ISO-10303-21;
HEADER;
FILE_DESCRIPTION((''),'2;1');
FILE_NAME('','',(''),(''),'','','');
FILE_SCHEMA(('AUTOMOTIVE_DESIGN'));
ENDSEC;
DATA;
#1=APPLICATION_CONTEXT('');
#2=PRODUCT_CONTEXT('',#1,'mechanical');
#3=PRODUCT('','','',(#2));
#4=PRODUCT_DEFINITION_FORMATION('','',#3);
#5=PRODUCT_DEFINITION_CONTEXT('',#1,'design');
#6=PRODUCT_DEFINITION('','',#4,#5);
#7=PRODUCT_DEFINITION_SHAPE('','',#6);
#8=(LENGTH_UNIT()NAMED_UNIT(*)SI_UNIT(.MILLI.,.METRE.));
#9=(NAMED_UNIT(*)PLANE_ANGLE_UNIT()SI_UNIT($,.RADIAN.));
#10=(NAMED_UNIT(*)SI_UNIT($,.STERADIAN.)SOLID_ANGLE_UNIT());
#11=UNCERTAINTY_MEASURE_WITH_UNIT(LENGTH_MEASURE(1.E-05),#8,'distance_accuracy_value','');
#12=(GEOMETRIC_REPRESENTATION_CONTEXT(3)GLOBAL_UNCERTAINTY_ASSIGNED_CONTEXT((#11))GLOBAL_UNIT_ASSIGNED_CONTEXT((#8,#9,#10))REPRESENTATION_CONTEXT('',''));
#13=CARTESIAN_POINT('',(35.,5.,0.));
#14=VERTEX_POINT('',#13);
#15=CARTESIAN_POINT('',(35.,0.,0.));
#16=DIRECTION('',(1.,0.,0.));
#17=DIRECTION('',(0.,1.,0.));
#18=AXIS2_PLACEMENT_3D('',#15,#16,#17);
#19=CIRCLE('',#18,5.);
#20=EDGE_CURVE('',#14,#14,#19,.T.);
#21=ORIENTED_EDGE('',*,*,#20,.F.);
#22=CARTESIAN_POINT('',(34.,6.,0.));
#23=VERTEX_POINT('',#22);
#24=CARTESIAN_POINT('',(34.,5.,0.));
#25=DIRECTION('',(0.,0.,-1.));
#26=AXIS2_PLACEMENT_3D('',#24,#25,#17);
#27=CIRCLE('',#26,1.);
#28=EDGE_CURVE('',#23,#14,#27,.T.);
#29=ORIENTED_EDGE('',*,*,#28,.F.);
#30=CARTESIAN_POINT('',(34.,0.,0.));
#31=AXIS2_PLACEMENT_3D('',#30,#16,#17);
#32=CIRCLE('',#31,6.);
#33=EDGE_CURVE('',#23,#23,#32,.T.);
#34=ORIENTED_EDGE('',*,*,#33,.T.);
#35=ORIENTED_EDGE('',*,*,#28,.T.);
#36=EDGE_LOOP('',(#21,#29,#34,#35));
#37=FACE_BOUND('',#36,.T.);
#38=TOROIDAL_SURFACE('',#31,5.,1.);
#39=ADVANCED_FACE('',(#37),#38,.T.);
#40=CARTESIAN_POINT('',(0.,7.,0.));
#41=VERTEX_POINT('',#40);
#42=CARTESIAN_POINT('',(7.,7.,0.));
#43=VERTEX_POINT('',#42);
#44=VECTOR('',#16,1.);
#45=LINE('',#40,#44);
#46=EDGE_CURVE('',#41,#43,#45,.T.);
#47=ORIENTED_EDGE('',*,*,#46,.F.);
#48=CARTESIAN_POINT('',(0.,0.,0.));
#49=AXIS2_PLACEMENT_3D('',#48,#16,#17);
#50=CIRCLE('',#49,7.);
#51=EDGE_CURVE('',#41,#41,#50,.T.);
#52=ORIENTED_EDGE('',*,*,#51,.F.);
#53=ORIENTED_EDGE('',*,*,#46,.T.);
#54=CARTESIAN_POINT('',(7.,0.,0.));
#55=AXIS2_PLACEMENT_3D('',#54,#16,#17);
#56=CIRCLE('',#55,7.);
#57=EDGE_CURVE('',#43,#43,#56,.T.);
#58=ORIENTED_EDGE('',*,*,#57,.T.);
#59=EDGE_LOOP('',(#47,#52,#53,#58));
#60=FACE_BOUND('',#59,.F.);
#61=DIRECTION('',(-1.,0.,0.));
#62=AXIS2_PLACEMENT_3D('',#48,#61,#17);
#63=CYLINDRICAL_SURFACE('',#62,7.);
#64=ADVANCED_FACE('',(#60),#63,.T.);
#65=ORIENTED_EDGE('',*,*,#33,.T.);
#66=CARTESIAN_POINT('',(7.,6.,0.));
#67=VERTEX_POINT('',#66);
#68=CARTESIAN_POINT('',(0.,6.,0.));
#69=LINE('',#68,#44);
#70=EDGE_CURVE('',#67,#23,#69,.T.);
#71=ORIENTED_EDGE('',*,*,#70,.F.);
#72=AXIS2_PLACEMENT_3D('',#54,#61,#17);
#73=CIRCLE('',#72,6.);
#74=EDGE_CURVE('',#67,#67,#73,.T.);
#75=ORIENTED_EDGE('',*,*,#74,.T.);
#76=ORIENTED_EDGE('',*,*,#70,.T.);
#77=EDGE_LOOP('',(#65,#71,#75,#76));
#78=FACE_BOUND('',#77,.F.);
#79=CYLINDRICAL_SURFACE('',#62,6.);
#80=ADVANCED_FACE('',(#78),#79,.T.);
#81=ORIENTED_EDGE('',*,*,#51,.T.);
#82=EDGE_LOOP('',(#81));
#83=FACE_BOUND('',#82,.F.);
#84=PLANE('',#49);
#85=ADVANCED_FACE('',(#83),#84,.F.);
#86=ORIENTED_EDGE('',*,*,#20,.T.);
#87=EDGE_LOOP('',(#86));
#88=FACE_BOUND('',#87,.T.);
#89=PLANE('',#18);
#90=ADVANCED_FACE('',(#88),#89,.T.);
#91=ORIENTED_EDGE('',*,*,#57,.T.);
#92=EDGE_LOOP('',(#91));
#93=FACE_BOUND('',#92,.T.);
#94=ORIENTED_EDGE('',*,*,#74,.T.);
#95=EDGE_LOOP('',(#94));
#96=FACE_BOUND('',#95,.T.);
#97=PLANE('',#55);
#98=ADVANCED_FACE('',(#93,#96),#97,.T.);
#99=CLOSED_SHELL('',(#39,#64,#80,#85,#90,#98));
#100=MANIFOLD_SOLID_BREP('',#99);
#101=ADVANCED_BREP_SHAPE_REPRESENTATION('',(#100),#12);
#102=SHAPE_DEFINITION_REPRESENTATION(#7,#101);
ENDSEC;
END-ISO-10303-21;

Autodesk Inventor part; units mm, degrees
ref_plane "YZ Plane" through (0, 0, 0) normal (1, 0, 0) x (0, 1, 0)
ref_plane "XZ Plane" through (0, 0, 0) normal (0, 1, 0) x (-1, 0, 0)
ref_plane "XY Plane" through (0, 0, 0) normal (0, 0, 1) x (1, 0, 0)
sketch "Sketch2" plane through (0, 0, 0) normal (1, 0, 0) x (0, 1, 0)
  circle A0 centre (0, 0) radius 7
  circle A1 centre (0, 0) radius 6
  dimension "d0" = 14
  dimension "d1" = 12
extrude "Extrusion1" add sketch "Sketch2" along normal blind 35 contours A1
extrude "Extrusion2" add sketch "Sketch2" along normal blind 7 contours A0 | A1
fillet "Fillet1" radius 1 1 edges at (35, -6, 0)
thread "Thread1" size "M12x1.5" class "6g" standard "ANSI Metric M Profile" length 30
properties part number "bolt" material "Steel, Cast"
